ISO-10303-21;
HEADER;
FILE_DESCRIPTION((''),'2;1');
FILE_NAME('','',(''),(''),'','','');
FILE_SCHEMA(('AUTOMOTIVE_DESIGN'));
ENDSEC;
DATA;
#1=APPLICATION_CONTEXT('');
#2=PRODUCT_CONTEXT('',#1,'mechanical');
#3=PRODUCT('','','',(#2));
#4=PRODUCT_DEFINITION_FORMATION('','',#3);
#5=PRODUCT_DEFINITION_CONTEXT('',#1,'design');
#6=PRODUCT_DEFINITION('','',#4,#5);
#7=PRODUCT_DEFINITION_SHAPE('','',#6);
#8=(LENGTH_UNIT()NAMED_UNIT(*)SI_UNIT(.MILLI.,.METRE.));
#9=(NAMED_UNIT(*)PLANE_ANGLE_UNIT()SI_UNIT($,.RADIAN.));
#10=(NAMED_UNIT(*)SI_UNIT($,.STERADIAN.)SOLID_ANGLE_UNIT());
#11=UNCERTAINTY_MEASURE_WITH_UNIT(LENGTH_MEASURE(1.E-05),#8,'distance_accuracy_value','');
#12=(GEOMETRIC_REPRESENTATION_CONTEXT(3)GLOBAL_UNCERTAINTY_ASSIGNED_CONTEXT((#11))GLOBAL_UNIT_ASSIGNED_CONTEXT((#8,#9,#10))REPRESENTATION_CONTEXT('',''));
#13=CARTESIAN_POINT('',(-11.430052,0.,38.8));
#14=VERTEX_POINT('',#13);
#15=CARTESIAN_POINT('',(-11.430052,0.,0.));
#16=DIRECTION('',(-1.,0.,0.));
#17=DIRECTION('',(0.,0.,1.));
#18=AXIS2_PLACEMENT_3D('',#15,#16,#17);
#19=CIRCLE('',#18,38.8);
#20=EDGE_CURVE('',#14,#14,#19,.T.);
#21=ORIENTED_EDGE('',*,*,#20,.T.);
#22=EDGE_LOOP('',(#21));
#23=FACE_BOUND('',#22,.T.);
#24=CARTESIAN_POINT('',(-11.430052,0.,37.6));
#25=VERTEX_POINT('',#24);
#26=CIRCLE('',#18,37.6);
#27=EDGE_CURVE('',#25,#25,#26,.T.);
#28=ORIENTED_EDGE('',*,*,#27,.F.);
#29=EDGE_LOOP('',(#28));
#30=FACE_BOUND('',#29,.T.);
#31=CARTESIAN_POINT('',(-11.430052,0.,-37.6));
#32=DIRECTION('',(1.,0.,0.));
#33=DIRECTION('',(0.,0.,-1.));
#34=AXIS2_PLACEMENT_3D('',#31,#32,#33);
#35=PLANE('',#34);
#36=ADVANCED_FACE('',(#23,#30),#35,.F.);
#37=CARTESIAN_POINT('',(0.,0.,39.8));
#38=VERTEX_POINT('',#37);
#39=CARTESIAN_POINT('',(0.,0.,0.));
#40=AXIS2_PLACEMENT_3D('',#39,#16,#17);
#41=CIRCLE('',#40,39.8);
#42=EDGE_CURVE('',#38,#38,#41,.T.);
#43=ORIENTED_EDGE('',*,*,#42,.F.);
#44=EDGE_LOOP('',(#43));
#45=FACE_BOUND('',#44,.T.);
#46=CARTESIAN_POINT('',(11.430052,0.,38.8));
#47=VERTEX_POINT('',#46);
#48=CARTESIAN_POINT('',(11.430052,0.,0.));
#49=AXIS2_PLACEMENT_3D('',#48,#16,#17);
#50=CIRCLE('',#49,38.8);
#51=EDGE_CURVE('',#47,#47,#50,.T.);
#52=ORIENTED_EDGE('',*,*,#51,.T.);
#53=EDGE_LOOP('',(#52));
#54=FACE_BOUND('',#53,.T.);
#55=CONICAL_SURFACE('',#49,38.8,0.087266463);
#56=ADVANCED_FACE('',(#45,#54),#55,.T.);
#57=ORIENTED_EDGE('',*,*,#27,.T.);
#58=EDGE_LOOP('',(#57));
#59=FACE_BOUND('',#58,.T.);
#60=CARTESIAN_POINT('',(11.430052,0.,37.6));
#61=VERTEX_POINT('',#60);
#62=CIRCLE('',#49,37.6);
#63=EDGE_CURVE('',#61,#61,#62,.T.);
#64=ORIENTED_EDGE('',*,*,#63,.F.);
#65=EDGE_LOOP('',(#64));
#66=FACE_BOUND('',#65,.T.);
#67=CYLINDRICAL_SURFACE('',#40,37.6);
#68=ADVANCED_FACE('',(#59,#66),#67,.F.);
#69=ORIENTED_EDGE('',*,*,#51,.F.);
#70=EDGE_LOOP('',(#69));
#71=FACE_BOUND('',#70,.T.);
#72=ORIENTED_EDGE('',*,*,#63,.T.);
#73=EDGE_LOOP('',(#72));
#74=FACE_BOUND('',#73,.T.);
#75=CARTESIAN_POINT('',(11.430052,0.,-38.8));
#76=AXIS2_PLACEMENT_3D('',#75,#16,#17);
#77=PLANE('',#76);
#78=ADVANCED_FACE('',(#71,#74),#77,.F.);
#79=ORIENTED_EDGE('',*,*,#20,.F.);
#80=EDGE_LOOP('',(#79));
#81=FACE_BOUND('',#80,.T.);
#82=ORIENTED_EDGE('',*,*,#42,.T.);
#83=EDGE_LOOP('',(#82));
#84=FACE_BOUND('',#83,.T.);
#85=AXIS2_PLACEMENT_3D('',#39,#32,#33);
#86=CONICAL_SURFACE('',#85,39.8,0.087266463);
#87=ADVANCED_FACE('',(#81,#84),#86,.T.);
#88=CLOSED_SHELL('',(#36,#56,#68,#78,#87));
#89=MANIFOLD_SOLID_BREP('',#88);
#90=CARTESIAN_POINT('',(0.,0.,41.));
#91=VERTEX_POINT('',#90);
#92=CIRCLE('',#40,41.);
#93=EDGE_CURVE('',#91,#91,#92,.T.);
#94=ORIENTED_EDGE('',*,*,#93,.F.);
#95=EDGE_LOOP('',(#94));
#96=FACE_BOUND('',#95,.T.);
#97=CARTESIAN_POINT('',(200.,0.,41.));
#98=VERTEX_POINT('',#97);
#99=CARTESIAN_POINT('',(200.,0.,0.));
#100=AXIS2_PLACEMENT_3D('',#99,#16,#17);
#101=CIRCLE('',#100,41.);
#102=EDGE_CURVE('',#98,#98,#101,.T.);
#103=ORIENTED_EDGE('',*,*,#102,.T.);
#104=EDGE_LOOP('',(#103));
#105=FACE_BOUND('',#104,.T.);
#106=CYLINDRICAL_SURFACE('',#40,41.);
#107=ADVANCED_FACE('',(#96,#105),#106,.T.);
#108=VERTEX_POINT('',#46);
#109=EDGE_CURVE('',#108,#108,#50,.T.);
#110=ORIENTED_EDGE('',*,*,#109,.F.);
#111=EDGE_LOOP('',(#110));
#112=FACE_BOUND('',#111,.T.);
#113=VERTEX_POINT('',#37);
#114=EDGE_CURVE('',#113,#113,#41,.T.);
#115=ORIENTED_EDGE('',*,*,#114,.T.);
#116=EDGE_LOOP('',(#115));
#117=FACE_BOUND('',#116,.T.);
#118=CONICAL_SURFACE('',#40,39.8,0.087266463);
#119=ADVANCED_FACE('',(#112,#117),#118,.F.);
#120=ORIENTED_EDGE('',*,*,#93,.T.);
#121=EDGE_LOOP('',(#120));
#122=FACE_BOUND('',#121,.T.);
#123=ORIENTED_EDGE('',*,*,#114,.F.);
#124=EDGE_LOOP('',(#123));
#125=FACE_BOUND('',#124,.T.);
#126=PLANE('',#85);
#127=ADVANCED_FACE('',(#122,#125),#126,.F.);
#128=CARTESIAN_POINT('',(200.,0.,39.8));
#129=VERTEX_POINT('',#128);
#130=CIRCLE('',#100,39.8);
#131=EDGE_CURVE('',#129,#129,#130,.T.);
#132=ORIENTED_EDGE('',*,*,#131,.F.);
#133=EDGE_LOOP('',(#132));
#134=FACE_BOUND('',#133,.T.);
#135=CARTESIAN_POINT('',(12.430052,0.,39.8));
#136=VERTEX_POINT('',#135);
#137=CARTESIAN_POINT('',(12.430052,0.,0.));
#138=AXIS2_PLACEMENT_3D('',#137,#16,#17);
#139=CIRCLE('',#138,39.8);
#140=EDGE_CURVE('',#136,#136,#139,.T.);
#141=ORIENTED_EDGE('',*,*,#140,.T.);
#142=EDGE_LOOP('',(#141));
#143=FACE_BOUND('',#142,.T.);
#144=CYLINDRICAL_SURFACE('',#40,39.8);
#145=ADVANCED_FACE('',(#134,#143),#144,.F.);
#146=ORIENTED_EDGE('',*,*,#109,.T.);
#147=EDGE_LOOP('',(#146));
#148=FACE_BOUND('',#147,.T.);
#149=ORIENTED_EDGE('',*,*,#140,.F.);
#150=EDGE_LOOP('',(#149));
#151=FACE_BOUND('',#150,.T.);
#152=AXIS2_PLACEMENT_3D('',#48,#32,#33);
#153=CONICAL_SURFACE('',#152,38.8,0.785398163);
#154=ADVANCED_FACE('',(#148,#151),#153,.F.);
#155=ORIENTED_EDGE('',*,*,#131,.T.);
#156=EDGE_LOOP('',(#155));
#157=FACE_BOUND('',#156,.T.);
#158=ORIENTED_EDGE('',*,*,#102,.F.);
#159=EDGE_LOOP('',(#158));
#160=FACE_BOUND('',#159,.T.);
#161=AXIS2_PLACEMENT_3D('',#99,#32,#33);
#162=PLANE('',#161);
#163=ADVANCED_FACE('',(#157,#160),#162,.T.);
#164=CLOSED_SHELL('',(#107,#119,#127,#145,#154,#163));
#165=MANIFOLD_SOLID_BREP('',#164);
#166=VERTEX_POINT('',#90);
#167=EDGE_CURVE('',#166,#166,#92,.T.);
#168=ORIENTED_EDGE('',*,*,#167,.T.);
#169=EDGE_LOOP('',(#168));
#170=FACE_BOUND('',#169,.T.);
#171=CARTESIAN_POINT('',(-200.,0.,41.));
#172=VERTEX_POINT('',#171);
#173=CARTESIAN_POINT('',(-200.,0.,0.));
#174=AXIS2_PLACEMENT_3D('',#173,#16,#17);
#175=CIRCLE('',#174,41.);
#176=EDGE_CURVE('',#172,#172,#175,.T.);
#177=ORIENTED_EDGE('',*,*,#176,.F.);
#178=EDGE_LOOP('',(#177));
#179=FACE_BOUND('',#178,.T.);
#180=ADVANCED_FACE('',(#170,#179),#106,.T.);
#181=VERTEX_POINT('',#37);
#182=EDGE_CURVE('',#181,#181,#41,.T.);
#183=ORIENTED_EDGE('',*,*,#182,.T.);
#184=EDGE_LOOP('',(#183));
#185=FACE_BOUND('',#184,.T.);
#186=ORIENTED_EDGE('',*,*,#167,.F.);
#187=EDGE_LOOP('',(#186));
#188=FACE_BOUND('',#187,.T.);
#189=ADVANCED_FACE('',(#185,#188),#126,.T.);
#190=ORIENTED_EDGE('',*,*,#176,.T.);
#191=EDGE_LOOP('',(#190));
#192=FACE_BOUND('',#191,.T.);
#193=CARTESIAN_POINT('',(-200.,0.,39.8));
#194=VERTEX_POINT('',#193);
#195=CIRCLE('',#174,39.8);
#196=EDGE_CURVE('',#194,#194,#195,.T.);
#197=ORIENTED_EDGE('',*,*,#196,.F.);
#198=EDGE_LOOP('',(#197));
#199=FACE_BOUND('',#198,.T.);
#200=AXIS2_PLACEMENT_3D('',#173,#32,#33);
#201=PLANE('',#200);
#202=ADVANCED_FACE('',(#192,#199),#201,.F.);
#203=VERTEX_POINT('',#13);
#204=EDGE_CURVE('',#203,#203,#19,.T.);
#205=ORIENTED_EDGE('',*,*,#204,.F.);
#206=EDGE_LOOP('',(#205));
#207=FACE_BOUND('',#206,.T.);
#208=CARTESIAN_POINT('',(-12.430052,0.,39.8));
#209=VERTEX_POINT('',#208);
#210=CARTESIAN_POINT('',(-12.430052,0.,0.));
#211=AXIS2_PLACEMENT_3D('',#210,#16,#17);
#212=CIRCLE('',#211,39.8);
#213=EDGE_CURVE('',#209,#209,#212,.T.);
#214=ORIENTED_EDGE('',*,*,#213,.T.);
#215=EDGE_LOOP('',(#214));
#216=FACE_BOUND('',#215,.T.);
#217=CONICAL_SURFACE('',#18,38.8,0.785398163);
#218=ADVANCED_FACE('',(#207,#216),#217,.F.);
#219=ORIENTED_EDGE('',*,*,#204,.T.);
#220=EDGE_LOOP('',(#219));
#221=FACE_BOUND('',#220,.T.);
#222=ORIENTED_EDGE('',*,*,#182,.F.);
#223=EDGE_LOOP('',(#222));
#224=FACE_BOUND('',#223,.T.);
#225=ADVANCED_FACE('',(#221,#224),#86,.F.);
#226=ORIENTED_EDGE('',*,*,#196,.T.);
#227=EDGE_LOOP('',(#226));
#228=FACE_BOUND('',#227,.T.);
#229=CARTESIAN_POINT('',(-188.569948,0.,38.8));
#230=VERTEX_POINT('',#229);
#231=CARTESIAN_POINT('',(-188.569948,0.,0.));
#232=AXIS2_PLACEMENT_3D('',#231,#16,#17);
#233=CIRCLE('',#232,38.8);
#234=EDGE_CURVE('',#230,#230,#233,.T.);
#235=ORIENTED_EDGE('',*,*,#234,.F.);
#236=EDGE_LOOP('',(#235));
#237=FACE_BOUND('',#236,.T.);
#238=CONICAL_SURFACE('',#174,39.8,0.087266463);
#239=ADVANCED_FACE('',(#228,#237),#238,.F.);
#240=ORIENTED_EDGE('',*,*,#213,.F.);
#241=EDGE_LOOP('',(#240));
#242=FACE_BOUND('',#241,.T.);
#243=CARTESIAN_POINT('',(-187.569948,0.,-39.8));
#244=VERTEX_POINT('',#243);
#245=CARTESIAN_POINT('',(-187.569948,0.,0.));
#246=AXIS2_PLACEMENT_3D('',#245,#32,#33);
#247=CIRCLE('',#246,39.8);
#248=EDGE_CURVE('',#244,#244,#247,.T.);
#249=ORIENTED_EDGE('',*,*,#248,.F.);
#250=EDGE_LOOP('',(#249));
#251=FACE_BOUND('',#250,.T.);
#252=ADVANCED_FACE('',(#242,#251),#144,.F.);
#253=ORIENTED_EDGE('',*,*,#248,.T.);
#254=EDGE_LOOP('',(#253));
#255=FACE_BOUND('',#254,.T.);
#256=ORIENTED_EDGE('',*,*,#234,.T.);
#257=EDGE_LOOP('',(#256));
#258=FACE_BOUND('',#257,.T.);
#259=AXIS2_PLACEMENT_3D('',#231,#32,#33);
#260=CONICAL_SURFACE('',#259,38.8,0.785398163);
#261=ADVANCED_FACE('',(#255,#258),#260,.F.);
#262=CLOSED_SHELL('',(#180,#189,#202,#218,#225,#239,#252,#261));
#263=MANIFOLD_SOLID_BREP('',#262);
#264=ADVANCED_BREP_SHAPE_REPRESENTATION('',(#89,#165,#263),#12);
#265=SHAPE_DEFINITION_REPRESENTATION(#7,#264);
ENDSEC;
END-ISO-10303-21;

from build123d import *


with BuildPart() as part:
    # Sketch2 → Revolve1 (revolve)
    with BuildSketch(Plane(origin=(0, 0, 0), x_dir=(1, 0, 0), z_dir=(0, 1, 0))):
        Polygon((200, 39.8), (200, 41), (0, 41), (0, 39.8), (11.430052303, 38.8), (12.430052303, 39.8), align=None)
    revolve(axis=Axis((0, 0, 0), (1, 0, 0)))


with BuildPart() as body_2:
    # Sketch2<3> → Revolve2 (revolve)
    with BuildSketch(Plane(origin=(0, 0, 0), x_dir=(1, 0, 0), z_dir=(0, 1, 0))):
        Polygon((0, 39.8), (0, 41), (-200, 41), (-200, 39.8), (-188.569947697, 38.8), (-187.569947697, 39.8), (-12.430052303, 39.8), (-11.430052303, 38.8), align=None)
    revolve(axis=Axis((0, 0, 0), (1, 0, 0)))


with BuildPart() as body_3:
    # Sketch3 → Revolve3 (revolve)
    with BuildSketch(Plane(origin=(0, 0, 0), x_dir=(1, 0, 0), z_dir=(0, 1, 0))):
        Polygon((-11.430052303, 38.8), (0, 39.8), (11.430052303, 38.8), (11.430052303, 37.6), (-11.430052303, 37.6), align=None)
    revolve(axis=Axis((0, 0, 0), (1, 0, 0)))


solid = Compound([part.part, body_2.part, body_3.part])
